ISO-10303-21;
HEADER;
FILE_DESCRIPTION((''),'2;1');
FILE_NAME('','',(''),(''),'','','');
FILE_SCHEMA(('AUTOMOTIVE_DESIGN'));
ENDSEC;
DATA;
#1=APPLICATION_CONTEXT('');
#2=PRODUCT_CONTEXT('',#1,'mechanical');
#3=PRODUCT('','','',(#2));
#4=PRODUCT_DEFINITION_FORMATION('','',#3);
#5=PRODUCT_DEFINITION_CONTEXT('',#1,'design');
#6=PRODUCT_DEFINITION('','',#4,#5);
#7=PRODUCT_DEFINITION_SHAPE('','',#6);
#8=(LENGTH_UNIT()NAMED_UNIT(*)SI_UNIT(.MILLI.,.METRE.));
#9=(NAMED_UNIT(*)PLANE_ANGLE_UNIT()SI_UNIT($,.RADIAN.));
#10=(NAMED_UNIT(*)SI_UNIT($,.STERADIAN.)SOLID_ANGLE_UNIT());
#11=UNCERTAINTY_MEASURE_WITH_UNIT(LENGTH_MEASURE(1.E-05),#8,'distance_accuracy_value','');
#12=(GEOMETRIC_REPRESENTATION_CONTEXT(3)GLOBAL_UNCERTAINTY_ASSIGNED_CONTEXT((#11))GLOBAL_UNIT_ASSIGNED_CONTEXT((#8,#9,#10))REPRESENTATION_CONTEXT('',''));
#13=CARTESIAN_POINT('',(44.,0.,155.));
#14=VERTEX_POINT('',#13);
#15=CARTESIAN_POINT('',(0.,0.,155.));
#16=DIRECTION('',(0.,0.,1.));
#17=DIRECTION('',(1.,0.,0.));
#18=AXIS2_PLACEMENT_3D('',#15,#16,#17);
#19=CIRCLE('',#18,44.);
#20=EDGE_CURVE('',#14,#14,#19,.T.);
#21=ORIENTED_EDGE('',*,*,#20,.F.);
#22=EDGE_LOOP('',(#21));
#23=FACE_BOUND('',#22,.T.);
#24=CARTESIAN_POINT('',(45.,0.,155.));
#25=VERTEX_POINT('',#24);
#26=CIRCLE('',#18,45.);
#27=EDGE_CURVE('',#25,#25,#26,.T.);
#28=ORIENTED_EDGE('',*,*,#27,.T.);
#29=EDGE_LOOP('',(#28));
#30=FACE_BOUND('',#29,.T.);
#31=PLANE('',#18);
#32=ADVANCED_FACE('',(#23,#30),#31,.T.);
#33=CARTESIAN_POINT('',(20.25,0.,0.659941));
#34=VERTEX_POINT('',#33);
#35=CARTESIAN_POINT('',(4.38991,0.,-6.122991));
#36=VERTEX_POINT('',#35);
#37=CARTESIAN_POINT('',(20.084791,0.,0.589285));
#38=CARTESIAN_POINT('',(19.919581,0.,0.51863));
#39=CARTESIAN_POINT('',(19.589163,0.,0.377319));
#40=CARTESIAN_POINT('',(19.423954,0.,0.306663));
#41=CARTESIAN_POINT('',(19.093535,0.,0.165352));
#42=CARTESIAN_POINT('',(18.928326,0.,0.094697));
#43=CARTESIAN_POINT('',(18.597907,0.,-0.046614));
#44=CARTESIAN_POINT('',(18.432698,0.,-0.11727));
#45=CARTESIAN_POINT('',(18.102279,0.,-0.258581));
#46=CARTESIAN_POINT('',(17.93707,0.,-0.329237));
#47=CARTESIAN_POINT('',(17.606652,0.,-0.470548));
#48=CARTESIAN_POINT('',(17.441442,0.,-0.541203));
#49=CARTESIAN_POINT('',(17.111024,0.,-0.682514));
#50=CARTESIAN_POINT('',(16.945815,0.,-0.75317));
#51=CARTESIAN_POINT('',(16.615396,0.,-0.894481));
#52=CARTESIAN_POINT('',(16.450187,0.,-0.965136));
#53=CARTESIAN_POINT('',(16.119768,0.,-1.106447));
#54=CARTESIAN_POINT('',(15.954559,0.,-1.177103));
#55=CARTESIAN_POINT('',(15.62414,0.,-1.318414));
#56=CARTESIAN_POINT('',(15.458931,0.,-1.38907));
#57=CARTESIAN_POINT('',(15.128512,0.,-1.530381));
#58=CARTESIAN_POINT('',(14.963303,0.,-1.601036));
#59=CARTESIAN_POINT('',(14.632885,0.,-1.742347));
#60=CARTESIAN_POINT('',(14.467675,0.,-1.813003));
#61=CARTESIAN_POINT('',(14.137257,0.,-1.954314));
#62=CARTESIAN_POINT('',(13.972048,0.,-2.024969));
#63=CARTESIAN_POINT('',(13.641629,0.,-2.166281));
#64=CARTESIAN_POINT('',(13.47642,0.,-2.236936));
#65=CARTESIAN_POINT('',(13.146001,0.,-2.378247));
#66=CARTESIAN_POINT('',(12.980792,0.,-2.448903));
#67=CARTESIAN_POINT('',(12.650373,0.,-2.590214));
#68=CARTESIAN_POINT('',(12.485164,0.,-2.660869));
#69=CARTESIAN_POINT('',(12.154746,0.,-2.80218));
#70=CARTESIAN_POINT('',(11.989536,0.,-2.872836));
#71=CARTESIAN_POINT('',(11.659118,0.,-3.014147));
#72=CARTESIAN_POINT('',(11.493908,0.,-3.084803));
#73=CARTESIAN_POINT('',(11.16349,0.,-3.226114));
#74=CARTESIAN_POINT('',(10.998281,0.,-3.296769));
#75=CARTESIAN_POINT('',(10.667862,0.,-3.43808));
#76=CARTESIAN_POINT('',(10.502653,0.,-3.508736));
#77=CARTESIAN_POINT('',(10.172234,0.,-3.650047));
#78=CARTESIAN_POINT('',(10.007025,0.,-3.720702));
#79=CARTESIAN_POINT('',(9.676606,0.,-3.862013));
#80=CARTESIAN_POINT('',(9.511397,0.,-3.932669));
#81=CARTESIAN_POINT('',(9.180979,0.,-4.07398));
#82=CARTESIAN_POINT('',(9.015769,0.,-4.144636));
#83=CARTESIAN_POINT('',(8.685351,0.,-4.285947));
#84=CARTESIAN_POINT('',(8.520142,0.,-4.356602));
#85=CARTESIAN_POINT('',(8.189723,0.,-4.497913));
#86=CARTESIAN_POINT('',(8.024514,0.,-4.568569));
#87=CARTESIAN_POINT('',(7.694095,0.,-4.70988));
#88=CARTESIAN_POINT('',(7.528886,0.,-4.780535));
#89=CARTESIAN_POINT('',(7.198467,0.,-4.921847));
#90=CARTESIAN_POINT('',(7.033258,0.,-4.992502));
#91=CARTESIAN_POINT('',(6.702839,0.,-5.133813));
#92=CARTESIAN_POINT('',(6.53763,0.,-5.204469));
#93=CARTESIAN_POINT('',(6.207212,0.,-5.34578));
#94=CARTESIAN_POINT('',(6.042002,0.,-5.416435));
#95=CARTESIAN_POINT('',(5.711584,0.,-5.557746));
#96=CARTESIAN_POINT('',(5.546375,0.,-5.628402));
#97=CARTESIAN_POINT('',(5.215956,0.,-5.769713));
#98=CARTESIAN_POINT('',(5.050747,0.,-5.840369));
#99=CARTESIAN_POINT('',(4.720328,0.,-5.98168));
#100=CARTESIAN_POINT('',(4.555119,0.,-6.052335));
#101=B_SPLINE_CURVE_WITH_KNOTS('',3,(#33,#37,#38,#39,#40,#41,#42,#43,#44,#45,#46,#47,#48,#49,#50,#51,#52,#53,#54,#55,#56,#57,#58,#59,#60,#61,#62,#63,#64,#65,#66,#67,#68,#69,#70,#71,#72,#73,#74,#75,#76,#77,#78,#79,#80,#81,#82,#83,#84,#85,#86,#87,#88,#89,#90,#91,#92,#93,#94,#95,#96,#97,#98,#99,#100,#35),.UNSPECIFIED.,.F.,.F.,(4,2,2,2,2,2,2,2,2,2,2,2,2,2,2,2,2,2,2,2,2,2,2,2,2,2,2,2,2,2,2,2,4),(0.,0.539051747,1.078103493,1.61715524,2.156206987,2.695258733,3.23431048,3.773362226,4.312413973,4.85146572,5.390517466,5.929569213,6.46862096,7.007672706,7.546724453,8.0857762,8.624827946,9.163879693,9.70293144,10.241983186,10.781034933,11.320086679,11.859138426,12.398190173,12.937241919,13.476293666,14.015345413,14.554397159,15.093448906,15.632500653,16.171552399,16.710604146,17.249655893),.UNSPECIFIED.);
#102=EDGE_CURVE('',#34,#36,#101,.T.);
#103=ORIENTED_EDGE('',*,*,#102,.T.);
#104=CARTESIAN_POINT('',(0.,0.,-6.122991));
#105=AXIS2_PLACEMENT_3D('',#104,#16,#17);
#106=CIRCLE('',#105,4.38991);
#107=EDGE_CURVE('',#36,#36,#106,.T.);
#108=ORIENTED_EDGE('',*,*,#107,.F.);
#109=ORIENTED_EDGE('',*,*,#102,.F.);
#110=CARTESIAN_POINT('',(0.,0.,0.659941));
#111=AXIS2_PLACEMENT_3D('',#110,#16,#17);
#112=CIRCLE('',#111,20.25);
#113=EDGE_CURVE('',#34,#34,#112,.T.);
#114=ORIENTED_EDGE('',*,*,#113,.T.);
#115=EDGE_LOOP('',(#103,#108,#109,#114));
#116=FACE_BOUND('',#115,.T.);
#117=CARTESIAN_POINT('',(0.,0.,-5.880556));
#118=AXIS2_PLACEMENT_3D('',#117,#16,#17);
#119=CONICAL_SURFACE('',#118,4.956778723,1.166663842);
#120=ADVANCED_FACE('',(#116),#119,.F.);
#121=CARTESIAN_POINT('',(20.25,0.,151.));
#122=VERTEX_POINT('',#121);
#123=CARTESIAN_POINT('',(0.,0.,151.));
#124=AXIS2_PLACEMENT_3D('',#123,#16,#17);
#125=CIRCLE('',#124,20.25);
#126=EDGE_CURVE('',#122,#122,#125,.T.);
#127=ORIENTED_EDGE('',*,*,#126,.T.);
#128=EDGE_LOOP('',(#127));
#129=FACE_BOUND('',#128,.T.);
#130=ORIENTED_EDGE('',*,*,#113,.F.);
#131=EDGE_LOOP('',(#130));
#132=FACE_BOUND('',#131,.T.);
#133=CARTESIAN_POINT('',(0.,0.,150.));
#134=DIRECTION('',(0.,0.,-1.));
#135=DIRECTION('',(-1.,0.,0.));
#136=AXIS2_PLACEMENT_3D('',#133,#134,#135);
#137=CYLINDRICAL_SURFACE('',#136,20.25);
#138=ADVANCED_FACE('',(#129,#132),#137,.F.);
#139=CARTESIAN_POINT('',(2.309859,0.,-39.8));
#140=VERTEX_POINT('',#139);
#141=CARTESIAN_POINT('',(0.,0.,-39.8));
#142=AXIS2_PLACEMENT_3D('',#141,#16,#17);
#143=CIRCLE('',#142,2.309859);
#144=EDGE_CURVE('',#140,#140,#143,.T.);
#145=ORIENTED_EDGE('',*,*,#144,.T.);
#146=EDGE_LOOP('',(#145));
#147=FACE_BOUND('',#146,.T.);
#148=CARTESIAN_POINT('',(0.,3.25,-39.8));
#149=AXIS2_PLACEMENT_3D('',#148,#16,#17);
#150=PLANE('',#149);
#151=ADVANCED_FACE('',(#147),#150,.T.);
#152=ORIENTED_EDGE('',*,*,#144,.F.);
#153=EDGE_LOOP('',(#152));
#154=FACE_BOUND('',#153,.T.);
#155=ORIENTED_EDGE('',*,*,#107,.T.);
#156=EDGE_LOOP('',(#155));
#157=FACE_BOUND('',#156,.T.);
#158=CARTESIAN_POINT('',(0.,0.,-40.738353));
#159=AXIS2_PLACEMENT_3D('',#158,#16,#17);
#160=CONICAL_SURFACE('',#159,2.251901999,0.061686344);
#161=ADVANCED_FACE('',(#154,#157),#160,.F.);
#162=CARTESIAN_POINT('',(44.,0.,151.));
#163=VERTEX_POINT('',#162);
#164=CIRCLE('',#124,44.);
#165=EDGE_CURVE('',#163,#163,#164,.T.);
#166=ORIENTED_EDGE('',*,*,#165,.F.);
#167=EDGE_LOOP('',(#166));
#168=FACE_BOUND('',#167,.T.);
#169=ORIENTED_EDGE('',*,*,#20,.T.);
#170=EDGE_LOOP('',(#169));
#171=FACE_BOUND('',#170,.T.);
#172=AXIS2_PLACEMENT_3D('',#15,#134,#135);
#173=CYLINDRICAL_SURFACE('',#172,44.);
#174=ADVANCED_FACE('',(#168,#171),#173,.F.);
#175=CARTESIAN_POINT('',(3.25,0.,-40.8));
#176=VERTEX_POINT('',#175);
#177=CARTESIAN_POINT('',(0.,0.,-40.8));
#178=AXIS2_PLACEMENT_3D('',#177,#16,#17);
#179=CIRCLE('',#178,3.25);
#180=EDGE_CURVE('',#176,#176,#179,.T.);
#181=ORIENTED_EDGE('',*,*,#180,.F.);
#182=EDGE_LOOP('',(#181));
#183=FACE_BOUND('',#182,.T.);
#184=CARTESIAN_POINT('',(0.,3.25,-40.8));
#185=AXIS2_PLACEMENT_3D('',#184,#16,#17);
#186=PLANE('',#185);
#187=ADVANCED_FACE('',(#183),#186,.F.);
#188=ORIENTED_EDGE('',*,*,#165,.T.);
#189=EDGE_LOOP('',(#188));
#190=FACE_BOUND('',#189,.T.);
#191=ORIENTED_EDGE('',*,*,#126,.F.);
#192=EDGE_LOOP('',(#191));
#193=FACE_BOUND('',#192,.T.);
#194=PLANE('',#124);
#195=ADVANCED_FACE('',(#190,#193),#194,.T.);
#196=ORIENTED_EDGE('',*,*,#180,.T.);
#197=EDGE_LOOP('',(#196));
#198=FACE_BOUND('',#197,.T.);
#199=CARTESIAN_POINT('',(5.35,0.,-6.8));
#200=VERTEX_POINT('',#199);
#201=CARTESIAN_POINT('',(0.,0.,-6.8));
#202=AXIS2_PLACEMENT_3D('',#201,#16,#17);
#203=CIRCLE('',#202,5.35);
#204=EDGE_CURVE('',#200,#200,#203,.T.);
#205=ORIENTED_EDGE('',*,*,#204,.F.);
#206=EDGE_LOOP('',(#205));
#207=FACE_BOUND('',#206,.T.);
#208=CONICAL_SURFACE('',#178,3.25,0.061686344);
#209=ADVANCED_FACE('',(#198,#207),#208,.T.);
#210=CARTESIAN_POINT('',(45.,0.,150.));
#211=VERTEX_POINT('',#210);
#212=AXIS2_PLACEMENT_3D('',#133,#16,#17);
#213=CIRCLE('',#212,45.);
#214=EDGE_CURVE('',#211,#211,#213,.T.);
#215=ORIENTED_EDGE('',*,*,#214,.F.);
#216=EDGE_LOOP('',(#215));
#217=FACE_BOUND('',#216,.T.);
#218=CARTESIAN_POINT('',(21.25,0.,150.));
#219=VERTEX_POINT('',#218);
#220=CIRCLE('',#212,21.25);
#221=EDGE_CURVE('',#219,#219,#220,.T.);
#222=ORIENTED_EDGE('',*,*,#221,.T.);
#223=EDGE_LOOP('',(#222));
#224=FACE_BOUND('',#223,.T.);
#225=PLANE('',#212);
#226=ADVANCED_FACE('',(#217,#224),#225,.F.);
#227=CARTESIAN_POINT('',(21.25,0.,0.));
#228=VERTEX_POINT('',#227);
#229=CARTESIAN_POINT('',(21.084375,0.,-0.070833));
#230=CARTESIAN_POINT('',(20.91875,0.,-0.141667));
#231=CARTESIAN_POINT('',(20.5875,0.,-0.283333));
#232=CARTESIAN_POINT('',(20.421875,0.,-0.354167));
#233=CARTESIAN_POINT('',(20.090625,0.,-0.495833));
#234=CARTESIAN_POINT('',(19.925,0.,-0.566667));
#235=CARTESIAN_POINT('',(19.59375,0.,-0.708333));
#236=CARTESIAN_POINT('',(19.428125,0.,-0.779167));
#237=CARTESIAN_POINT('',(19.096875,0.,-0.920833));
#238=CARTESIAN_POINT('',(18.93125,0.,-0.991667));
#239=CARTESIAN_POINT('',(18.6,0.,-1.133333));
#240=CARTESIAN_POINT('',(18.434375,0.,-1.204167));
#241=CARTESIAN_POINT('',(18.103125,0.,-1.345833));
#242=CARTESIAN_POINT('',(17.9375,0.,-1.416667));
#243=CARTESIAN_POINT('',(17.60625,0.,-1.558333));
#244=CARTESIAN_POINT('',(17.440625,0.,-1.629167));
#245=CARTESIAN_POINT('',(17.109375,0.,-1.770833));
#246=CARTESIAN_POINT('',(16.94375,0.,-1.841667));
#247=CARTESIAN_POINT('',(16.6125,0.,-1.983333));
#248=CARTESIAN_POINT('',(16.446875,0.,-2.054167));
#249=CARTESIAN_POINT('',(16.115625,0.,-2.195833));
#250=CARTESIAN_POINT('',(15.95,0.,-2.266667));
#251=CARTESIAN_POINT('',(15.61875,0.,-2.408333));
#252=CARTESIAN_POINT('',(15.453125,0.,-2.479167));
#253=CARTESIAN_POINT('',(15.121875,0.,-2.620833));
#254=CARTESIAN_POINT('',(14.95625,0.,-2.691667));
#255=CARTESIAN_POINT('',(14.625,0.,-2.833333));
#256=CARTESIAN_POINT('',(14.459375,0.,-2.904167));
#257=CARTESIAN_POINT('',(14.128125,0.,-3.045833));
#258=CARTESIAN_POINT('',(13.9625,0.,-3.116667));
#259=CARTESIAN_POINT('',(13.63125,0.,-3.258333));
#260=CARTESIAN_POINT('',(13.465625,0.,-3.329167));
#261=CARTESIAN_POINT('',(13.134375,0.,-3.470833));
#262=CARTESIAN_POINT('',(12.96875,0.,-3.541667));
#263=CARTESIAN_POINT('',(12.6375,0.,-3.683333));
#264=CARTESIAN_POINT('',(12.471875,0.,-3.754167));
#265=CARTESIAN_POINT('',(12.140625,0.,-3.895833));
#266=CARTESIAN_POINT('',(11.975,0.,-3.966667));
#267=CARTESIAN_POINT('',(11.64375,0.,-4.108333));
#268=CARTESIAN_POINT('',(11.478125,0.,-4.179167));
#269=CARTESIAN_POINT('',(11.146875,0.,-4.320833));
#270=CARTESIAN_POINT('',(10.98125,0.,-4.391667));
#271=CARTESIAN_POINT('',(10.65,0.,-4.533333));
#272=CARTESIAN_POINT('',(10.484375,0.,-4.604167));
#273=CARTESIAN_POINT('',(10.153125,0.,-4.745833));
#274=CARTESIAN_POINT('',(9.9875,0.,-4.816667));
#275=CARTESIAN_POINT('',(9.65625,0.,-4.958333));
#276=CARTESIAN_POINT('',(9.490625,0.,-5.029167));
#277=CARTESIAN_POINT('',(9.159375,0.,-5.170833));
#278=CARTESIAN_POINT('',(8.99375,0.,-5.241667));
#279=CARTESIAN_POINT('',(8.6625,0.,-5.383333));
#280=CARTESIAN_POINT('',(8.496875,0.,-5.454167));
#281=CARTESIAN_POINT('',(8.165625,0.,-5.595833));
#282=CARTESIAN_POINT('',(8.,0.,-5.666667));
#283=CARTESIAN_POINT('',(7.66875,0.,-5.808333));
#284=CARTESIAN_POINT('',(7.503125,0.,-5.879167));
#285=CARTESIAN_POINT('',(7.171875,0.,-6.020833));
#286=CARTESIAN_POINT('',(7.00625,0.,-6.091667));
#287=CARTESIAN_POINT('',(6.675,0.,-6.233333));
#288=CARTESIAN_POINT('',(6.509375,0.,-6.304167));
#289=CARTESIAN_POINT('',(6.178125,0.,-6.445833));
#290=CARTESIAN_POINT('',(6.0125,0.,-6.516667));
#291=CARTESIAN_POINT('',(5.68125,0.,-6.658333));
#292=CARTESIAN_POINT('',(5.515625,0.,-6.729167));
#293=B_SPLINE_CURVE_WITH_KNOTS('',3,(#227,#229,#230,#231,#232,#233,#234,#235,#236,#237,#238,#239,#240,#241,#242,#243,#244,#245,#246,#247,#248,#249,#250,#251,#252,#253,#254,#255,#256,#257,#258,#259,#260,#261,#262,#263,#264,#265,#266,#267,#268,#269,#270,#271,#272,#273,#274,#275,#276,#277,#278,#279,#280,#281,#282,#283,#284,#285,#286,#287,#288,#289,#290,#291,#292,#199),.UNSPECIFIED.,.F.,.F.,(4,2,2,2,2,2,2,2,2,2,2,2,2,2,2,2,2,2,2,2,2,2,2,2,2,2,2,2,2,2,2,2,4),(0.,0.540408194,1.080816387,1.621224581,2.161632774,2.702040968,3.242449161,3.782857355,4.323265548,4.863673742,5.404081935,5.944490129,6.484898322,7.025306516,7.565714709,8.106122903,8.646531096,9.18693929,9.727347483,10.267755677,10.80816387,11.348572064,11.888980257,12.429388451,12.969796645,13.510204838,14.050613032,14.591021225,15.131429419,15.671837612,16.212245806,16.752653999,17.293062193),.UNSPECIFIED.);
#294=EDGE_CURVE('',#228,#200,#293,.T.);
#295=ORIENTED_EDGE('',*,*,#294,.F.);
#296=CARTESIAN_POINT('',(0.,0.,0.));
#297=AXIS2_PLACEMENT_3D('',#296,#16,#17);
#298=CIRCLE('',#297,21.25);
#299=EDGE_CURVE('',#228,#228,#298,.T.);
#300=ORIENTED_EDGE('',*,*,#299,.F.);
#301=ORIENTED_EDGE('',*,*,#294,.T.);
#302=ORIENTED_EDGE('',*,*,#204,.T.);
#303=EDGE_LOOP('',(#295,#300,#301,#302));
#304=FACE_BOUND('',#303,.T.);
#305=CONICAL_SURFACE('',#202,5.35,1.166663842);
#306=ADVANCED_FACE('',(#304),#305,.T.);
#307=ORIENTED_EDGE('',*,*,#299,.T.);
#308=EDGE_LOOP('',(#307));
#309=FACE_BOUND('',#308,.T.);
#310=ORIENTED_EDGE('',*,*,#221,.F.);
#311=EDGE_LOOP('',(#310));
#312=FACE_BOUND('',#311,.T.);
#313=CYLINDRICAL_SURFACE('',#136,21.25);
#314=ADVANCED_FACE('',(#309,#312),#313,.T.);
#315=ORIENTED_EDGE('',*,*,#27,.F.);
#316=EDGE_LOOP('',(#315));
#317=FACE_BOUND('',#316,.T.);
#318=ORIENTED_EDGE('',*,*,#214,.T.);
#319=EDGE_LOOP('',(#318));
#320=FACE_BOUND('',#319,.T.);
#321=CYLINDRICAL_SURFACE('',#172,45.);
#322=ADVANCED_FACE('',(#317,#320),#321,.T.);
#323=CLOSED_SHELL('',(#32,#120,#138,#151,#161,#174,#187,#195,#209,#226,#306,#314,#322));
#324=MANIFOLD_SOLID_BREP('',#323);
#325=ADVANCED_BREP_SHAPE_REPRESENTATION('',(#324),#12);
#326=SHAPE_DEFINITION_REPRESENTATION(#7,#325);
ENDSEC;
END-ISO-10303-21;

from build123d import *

# Parameters (mm, degrees)
SKETCH1_R           = 21.25
BOSS_EXTRUDE1_DEPTH = 150
SKETCH2_R           = 45
BOSS_EXTRUDE2_DEPTH = 5
SHELL1_T            = -1


with BuildPart() as part:
    # Sketch1 → Boss-Extrude1 (new body)
    with BuildSketch(Plane.XY):
        Circle(SKETCH1_R)
    extrude(amount=BOSS_EXTRUDE1_DEPTH)

    # Sketch2 → Boss-Extrude2 (add)
    with BuildSketch(Plane.XY.offset(150)):
        Circle(SKETCH2_R)
    extrude(amount=BOSS_EXTRUDE2_DEPTH)

    # Sketch4 → Revolve1 (revolve)
    with BuildSketch(Plane(origin=(0, 0, 0), x_dir=(0, 0, -1), z_dir=(1, 0, 0)), mode=Mode.PRIVATE) as revolve1_sk:
        Polygon((0, 21.25), (6.8, 5.35), (40.8, 3.25), (40.8, 0), (0, 0), align=None)
    revolve(revolve1_sk.sketch.rotate(Axis((0, 0, 0), (0, 0, -1)), 90), axis=Axis((0, 0, 0), (0, 0, -1)))

    # Shell1
    shell1_openings = [part.faces().sort_by_distance(p)[0] for p in [
        (0, 0, 155),
    ]]
    offset(amount=SHELL1_T, openings=shell1_openings, kind=Kind.INTERSECTION)


solid = part.part
